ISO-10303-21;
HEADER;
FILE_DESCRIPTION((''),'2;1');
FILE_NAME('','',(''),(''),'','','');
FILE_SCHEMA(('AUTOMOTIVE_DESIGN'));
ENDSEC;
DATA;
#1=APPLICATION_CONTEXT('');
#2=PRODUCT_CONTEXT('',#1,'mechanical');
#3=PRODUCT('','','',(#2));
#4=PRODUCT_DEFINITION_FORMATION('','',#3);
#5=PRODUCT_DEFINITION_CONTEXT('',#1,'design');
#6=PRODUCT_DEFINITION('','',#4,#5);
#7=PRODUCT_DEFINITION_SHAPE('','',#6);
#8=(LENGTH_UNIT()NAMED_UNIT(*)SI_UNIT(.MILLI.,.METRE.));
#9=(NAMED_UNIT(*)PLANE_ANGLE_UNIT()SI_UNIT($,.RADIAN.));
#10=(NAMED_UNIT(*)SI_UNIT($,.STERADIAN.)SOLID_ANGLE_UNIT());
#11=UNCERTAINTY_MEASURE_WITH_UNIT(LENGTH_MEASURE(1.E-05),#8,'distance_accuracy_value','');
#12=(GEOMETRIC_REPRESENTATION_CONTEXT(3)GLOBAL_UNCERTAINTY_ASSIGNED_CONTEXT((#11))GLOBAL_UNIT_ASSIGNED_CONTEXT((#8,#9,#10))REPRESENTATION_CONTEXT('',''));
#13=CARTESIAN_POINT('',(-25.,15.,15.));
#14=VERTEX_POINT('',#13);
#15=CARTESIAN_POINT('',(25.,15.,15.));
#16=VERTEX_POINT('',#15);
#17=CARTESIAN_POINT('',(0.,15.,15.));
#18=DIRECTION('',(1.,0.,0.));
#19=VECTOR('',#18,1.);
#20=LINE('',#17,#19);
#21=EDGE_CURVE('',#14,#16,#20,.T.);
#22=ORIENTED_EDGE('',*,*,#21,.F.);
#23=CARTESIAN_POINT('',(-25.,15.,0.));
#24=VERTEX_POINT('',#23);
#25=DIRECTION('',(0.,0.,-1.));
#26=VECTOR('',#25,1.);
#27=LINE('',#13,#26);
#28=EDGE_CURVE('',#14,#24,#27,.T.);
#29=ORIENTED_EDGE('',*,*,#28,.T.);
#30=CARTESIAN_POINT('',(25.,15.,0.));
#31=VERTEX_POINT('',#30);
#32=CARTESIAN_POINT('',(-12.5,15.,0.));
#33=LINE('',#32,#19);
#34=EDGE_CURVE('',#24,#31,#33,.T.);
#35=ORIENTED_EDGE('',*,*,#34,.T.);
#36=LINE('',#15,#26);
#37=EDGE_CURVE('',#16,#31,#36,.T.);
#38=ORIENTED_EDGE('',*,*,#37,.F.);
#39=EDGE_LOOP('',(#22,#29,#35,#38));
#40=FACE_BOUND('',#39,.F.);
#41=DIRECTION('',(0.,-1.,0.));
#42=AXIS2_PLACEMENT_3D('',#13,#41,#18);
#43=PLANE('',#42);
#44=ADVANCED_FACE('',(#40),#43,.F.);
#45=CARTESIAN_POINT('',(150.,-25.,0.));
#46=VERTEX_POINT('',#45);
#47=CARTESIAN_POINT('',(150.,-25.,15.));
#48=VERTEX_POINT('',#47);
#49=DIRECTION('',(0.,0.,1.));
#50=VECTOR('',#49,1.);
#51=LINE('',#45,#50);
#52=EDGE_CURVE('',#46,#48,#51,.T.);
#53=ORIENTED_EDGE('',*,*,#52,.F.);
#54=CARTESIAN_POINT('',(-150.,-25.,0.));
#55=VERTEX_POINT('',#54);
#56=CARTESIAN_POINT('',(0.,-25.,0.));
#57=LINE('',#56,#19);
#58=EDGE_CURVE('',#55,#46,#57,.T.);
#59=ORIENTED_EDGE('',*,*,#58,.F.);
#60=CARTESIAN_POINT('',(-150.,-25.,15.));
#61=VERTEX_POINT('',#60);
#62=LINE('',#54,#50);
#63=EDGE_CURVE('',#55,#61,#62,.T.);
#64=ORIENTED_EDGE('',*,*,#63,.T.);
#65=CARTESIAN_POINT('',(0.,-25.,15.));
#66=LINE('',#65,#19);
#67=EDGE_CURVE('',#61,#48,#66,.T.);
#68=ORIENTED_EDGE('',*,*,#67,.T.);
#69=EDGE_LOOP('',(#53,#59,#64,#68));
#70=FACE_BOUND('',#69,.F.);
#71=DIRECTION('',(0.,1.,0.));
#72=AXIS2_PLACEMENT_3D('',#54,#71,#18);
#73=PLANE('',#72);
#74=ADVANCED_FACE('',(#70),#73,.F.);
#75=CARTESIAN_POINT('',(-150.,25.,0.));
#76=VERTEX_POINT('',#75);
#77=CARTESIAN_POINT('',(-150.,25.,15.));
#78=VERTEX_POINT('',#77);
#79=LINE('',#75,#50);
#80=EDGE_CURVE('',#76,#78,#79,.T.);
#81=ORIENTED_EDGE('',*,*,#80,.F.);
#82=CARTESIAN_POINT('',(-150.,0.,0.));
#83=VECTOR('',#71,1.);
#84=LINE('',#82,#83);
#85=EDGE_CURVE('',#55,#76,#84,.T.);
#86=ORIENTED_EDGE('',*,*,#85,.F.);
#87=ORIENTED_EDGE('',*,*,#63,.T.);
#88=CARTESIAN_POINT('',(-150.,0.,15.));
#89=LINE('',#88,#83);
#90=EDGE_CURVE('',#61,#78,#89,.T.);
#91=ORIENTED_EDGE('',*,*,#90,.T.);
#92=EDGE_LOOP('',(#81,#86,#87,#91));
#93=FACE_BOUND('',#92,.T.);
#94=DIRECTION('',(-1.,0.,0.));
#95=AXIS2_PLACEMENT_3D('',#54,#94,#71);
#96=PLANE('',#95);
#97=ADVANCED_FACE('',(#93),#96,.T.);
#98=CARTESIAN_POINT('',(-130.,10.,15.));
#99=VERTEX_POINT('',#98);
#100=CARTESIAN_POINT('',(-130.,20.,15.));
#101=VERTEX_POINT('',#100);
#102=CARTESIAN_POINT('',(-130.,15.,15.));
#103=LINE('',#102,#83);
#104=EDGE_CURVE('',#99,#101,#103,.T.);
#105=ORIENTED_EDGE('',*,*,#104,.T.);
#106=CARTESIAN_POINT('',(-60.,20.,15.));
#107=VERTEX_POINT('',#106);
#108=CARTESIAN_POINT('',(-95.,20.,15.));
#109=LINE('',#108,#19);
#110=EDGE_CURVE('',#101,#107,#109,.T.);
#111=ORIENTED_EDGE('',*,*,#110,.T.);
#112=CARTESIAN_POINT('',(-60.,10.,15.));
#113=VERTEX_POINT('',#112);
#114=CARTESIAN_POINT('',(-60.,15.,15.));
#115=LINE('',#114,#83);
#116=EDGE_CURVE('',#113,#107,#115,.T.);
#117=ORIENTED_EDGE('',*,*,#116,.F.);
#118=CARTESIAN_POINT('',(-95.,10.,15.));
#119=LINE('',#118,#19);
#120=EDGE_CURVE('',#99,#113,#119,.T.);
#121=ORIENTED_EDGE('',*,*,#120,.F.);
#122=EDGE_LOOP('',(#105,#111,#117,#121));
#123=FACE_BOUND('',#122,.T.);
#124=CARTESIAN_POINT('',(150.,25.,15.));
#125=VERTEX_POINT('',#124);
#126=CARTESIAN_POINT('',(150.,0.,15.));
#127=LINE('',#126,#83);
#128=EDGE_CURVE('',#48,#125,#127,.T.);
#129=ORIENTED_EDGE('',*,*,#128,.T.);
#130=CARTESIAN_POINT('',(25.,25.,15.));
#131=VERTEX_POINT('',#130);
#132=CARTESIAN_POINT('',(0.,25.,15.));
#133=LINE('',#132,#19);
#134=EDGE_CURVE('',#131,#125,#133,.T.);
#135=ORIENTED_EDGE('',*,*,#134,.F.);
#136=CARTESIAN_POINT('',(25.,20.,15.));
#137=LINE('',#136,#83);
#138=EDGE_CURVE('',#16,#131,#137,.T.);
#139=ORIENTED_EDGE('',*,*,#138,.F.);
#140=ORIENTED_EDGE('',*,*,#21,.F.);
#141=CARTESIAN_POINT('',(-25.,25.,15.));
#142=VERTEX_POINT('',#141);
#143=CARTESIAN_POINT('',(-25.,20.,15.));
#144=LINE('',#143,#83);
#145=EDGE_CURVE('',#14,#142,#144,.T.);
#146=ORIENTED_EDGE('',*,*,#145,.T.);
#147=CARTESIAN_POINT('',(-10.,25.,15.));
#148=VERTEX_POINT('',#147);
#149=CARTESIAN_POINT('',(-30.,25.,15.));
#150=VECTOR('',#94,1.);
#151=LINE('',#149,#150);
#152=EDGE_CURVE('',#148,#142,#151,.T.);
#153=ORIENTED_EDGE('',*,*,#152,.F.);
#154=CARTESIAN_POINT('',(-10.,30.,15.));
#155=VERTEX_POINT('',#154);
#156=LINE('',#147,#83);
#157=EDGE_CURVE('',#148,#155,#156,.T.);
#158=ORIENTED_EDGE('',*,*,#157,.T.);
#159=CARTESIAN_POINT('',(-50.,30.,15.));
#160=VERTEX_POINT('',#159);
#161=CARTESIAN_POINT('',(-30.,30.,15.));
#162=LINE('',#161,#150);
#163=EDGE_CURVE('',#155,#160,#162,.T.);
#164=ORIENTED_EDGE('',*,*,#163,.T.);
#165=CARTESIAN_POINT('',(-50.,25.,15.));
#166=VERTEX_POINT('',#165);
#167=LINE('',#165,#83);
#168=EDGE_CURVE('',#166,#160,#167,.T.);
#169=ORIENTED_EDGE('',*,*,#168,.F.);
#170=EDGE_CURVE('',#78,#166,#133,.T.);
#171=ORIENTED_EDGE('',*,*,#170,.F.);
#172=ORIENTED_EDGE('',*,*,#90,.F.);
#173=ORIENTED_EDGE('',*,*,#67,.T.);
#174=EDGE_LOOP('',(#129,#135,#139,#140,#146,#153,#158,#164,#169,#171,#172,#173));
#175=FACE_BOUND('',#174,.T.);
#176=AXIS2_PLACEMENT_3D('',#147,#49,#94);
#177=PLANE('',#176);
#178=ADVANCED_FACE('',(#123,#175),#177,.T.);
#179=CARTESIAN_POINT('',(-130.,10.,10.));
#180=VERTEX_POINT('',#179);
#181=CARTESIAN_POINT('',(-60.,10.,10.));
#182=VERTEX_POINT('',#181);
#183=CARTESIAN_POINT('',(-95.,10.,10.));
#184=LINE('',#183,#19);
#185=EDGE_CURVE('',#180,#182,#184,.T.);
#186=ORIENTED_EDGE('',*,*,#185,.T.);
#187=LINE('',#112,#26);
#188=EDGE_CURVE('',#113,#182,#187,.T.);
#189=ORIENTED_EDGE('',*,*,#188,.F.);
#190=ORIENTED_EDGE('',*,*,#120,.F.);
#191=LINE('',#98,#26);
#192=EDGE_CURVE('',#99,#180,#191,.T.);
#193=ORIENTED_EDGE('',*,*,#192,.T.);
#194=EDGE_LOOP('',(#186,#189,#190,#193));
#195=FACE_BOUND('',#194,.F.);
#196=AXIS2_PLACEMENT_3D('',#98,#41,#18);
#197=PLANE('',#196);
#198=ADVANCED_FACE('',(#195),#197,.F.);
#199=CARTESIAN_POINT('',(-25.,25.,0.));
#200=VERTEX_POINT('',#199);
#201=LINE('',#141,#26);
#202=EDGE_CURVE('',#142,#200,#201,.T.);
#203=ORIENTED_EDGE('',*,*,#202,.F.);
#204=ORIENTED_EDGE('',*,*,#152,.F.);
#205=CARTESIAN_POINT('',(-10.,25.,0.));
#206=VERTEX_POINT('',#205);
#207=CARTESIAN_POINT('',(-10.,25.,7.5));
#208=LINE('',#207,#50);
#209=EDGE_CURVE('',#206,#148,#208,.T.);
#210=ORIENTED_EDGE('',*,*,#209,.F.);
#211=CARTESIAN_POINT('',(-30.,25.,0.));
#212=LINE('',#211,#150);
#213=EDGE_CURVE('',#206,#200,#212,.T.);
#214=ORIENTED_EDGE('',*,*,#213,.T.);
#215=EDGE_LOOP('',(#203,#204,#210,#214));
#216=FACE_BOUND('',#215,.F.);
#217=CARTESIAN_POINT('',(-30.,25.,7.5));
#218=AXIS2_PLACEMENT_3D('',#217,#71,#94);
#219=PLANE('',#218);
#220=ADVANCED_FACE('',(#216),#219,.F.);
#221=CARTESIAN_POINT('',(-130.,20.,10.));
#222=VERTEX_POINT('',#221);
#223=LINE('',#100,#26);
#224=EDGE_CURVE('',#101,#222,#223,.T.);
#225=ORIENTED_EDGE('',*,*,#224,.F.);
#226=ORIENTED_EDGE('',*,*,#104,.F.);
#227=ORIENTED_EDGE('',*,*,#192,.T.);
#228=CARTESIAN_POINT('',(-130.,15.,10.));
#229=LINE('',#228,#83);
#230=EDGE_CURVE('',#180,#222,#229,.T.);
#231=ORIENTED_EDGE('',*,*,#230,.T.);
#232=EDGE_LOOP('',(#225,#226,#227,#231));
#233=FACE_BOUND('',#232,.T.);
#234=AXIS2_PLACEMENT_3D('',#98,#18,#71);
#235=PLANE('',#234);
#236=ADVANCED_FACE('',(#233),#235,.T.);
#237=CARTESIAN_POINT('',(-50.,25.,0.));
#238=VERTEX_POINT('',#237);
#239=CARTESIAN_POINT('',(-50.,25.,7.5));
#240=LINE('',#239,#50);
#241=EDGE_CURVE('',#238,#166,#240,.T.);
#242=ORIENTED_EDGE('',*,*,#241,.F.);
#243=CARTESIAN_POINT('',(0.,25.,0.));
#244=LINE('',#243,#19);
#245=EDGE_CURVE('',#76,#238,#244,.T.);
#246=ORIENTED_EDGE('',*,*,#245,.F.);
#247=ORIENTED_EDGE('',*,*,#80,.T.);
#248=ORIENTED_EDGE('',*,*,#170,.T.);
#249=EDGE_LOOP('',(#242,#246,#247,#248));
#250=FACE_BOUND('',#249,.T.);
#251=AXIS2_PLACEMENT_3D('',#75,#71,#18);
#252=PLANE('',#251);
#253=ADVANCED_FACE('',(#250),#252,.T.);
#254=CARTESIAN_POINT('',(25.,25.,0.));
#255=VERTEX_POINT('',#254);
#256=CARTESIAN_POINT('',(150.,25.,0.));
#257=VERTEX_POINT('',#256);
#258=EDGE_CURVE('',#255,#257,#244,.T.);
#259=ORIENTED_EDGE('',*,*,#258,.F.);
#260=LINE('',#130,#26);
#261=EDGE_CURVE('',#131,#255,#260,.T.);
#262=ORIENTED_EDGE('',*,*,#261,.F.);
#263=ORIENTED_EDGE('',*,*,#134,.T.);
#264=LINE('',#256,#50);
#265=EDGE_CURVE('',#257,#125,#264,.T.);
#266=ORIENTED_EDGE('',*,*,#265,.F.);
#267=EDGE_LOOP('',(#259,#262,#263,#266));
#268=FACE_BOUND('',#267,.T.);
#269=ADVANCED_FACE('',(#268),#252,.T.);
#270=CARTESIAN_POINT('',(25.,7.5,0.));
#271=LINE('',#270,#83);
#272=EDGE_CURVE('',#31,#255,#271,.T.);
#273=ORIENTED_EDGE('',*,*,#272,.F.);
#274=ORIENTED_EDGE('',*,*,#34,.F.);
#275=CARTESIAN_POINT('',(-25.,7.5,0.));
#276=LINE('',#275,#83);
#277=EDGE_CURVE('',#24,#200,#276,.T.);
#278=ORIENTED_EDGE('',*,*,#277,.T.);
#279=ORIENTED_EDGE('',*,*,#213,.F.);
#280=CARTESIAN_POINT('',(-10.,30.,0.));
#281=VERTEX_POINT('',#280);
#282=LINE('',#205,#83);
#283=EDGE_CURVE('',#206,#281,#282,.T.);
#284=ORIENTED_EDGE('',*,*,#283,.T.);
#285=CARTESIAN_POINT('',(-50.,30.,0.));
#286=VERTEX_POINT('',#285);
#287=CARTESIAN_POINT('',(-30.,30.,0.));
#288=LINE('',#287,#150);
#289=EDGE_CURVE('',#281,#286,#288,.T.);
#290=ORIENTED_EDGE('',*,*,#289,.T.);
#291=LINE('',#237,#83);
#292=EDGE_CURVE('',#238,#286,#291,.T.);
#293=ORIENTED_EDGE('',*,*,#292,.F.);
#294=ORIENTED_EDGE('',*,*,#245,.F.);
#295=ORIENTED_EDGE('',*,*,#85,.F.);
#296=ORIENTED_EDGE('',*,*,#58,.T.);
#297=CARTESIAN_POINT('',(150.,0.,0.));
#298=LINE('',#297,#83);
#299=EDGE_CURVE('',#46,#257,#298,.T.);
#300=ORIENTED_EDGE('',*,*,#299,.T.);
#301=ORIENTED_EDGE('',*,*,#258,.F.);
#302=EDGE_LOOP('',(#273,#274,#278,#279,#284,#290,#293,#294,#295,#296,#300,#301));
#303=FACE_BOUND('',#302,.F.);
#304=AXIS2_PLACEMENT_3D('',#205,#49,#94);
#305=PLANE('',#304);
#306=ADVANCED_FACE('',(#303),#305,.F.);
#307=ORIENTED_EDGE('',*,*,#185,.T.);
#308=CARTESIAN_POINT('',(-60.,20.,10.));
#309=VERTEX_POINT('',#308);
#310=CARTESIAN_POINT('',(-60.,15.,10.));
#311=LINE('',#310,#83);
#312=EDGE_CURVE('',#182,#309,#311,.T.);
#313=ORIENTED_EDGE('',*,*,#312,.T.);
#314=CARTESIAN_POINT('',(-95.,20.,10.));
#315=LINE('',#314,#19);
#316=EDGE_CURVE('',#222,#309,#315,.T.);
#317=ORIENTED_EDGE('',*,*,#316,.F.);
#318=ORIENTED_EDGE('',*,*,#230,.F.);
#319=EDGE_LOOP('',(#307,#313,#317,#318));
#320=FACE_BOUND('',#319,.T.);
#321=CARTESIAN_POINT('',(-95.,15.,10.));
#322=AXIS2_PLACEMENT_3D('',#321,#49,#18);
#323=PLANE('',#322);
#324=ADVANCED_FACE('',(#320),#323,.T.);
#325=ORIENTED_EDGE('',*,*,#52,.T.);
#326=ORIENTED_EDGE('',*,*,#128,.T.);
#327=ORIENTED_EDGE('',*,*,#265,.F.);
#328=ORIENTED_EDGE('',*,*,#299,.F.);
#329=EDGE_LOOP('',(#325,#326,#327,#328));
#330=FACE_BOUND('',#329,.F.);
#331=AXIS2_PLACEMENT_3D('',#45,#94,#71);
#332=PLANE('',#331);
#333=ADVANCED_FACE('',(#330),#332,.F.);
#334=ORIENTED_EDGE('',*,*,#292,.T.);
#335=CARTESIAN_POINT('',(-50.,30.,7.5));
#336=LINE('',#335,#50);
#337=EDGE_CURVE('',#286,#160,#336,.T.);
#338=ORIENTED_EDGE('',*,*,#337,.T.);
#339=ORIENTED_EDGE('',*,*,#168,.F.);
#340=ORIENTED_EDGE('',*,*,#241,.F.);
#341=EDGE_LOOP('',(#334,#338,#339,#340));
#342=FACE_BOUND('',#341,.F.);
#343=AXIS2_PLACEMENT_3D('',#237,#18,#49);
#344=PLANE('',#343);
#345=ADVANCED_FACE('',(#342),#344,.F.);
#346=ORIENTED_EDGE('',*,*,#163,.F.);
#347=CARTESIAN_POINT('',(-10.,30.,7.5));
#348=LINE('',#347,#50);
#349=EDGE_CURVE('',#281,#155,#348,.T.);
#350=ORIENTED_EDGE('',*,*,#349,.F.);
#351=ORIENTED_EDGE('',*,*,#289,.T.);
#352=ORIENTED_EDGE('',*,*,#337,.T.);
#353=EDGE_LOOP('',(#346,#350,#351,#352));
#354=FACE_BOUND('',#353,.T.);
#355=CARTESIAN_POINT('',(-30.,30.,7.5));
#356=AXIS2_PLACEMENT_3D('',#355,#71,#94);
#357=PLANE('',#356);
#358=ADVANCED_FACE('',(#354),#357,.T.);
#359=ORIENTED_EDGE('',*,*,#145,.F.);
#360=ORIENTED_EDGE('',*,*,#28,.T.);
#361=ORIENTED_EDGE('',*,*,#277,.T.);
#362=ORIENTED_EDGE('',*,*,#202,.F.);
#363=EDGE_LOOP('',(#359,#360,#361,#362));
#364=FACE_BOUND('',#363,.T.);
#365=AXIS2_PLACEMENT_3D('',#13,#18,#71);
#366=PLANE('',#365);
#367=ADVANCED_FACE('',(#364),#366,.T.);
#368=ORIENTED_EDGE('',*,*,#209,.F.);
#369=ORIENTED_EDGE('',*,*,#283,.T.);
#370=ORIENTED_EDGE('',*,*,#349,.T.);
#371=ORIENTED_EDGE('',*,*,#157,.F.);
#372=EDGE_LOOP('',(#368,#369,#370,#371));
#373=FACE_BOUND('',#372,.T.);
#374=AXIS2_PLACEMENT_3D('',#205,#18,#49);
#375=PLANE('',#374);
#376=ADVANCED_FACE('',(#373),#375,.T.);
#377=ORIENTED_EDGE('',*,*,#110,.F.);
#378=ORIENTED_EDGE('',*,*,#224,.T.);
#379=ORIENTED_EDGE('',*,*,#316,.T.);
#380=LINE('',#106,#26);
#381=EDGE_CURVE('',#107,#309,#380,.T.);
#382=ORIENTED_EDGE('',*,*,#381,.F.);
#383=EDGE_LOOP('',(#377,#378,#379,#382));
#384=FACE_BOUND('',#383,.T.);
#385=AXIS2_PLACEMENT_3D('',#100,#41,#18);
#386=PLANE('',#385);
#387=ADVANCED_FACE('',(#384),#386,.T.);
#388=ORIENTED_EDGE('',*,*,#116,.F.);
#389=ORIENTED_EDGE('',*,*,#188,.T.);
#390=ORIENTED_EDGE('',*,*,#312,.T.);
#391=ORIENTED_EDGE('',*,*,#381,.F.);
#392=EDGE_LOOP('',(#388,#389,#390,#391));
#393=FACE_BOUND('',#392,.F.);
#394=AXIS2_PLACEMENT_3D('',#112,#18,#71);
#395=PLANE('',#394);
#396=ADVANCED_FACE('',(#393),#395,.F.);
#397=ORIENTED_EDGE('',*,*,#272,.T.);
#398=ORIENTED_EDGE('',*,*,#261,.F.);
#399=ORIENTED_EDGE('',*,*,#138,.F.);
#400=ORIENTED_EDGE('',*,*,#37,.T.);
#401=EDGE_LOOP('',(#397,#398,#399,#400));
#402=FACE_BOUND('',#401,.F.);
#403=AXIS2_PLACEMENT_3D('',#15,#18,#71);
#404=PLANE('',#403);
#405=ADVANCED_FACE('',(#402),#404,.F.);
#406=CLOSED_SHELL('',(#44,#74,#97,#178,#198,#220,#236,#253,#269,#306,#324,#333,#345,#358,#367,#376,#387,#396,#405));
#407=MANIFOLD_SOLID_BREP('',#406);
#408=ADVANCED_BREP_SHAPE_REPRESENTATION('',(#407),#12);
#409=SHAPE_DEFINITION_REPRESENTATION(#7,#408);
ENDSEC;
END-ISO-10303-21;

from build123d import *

# Parameters (mm, degrees)
F0_W     = 300
F0_H     = 50
F1_DEPTH = 15
F2_W     = 50
F2_H     = 10
F3_DEPTH = 15.001
F5_W     = 40
F5_H     = 15
F6_DEPTH = 5
F7_W     = 70
F7_H     = 10
F8_DEPTH = 5


with BuildPart() as f1:
    # F0 (on Top) → F1 (new body)
    with BuildSketch(Plane.XY):
        Rectangle(F0_W, F0_H)
    extrude(amount=F1_DEPTH)

    # F2 (on face) → F3 (cut, through all)
    with BuildSketch(Plane.XY.offset(15)):
        with Locations((0, 20)):
            Rectangle(F2_W, F2_H)
    extrude(amount=-F3_DEPTH, mode=Mode.SUBTRACT)

    # F5 (on face) → F6 (join)
    with BuildSketch(Plane(origin=(0, 25, 0), x_dir=(-1, 0, 0), z_dir=(0, 1, 0))):
        with Locations((30, 7.5)):
            Rectangle(F5_W, F5_H)
    extrude(amount=F6_DEPTH)

    # F7 (on face) → F8 (cut)
    with BuildSketch(Plane.XY.offset(15)):
        with Locations((-95, 15)):
            Rectangle(F7_W, F7_H)
    extrude(amount=-F8_DEPTH, mode=Mode.SUBTRACT)


solid = f1.part
